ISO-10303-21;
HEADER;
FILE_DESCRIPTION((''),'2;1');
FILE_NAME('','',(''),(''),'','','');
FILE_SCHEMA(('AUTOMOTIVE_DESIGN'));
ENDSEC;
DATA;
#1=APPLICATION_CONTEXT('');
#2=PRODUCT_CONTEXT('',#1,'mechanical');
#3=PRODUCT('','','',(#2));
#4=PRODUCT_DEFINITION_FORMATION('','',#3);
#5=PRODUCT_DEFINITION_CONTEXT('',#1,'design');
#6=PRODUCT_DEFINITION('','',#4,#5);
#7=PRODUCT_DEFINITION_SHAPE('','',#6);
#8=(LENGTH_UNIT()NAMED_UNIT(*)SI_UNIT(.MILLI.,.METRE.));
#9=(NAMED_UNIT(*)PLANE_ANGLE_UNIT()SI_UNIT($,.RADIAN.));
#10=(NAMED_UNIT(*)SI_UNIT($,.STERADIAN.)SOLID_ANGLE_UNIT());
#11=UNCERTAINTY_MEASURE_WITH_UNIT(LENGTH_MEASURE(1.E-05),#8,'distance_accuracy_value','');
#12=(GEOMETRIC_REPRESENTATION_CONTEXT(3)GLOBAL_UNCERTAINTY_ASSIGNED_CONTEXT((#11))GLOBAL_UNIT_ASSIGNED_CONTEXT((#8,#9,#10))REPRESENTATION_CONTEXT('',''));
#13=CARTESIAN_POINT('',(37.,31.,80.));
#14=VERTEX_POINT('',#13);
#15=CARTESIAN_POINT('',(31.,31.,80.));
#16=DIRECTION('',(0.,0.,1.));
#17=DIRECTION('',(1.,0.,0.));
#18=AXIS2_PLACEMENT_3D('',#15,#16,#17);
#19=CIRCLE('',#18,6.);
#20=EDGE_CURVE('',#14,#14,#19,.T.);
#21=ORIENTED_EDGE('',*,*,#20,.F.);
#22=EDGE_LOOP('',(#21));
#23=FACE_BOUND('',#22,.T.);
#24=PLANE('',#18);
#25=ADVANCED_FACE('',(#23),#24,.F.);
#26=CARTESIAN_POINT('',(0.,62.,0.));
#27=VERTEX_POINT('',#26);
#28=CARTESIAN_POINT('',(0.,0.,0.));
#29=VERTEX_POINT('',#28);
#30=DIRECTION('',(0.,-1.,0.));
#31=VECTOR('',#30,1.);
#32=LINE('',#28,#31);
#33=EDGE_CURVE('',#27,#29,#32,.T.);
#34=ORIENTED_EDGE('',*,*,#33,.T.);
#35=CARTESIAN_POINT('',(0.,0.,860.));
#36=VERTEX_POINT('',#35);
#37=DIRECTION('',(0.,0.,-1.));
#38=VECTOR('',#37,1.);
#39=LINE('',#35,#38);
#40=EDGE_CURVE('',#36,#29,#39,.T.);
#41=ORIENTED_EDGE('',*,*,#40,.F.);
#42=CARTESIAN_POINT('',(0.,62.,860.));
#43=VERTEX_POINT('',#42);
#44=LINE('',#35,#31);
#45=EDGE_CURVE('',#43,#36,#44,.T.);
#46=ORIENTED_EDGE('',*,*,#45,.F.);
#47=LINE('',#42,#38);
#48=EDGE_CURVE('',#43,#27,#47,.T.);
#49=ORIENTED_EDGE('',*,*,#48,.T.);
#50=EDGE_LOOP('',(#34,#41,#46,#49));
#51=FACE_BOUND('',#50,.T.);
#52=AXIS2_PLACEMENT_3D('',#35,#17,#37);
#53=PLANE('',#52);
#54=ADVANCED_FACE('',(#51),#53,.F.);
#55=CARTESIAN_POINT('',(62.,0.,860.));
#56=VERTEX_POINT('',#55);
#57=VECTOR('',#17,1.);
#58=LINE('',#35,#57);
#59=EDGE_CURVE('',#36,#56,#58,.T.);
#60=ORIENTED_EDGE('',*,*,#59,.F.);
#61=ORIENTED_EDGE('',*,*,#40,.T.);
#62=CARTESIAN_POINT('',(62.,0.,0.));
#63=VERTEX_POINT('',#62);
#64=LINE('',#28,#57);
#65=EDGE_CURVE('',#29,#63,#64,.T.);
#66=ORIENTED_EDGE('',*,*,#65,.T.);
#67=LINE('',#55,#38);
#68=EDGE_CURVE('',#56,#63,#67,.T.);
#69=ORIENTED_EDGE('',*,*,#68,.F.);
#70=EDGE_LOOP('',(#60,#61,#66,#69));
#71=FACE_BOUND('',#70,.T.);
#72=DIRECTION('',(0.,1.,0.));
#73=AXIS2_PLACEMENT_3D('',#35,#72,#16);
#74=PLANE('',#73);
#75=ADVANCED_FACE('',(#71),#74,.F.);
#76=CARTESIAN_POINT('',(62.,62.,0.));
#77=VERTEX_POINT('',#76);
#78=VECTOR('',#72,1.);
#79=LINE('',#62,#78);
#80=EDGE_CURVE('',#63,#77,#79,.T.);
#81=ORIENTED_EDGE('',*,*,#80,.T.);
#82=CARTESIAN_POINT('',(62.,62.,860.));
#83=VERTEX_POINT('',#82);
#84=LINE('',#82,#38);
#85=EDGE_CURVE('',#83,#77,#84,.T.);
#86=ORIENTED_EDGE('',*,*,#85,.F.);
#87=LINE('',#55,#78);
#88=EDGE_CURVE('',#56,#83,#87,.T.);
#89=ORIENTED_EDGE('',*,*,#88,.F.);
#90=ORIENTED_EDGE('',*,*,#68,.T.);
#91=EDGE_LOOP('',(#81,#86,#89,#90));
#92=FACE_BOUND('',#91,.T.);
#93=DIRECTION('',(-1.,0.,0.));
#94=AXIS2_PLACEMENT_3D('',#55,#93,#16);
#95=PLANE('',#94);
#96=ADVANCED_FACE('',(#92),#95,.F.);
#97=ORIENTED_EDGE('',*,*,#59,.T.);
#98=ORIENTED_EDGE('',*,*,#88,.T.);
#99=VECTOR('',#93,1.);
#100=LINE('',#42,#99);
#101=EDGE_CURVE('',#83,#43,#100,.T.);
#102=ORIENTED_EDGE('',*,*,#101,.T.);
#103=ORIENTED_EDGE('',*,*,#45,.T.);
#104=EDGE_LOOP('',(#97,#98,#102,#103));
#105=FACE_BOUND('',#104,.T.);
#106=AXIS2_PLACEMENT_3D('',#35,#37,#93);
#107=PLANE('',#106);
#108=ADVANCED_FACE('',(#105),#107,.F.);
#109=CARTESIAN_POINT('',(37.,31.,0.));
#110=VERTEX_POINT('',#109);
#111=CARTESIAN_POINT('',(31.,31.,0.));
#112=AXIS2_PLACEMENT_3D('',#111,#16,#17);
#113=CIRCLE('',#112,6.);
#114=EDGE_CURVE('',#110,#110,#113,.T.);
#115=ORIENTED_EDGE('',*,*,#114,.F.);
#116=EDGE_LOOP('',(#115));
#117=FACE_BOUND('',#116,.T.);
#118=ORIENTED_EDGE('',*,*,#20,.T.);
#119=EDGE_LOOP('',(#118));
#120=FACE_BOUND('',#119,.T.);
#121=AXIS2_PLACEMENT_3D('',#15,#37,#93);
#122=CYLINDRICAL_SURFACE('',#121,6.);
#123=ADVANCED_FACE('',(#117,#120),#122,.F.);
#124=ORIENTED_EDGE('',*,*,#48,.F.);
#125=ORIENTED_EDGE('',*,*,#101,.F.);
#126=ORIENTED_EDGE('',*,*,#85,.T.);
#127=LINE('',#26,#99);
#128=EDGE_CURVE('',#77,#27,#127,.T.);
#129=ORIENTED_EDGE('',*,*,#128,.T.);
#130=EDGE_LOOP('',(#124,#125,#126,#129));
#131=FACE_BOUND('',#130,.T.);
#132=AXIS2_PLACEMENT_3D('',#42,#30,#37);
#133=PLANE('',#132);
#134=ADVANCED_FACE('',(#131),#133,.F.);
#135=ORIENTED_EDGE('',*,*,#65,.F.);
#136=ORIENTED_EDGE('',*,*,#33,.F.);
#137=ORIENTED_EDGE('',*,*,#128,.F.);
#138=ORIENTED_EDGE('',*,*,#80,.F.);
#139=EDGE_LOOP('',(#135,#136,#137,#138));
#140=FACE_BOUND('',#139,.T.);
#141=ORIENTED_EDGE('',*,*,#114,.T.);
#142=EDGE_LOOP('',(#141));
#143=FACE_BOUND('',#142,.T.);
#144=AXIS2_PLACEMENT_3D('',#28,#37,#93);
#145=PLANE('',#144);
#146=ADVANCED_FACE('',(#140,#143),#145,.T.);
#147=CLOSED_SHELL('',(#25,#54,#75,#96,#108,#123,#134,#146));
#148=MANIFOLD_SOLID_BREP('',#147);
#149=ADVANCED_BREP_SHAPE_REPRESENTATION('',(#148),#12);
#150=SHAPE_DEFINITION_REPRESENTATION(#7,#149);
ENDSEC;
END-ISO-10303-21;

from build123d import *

# Parameters (mm, degrees)
ESQUISSE1_W             = 62
ESQUISSE1_H             = 62
BOSS_EXTRU_1_DEPTH      = 860
ESQUISSE2_R             = 6
ENL_V_MAT_EXTRU_1_DEPTH = 80


with BuildPart() as part:
    # Esquisse1 → Boss.-Extru.1 (new body)
    with BuildSketch(Plane.XY):
        with Locations((31, 31)):
            Rectangle(ESQUISSE1_W, ESQUISSE1_H)
    extrude(amount=BOSS_EXTRU_1_DEPTH)

    # Esquisse2 → Enlèv. mat.-Extru.1 (cut)
    with BuildSketch(Plane.XY):
        with Locations((31, 31)):
            Circle(ESQUISSE2_R)
    extrude(amount=ENL_V_MAT_EXTRU_1_DEPTH, mode=Mode.SUBTRACT)


solid = part.part
